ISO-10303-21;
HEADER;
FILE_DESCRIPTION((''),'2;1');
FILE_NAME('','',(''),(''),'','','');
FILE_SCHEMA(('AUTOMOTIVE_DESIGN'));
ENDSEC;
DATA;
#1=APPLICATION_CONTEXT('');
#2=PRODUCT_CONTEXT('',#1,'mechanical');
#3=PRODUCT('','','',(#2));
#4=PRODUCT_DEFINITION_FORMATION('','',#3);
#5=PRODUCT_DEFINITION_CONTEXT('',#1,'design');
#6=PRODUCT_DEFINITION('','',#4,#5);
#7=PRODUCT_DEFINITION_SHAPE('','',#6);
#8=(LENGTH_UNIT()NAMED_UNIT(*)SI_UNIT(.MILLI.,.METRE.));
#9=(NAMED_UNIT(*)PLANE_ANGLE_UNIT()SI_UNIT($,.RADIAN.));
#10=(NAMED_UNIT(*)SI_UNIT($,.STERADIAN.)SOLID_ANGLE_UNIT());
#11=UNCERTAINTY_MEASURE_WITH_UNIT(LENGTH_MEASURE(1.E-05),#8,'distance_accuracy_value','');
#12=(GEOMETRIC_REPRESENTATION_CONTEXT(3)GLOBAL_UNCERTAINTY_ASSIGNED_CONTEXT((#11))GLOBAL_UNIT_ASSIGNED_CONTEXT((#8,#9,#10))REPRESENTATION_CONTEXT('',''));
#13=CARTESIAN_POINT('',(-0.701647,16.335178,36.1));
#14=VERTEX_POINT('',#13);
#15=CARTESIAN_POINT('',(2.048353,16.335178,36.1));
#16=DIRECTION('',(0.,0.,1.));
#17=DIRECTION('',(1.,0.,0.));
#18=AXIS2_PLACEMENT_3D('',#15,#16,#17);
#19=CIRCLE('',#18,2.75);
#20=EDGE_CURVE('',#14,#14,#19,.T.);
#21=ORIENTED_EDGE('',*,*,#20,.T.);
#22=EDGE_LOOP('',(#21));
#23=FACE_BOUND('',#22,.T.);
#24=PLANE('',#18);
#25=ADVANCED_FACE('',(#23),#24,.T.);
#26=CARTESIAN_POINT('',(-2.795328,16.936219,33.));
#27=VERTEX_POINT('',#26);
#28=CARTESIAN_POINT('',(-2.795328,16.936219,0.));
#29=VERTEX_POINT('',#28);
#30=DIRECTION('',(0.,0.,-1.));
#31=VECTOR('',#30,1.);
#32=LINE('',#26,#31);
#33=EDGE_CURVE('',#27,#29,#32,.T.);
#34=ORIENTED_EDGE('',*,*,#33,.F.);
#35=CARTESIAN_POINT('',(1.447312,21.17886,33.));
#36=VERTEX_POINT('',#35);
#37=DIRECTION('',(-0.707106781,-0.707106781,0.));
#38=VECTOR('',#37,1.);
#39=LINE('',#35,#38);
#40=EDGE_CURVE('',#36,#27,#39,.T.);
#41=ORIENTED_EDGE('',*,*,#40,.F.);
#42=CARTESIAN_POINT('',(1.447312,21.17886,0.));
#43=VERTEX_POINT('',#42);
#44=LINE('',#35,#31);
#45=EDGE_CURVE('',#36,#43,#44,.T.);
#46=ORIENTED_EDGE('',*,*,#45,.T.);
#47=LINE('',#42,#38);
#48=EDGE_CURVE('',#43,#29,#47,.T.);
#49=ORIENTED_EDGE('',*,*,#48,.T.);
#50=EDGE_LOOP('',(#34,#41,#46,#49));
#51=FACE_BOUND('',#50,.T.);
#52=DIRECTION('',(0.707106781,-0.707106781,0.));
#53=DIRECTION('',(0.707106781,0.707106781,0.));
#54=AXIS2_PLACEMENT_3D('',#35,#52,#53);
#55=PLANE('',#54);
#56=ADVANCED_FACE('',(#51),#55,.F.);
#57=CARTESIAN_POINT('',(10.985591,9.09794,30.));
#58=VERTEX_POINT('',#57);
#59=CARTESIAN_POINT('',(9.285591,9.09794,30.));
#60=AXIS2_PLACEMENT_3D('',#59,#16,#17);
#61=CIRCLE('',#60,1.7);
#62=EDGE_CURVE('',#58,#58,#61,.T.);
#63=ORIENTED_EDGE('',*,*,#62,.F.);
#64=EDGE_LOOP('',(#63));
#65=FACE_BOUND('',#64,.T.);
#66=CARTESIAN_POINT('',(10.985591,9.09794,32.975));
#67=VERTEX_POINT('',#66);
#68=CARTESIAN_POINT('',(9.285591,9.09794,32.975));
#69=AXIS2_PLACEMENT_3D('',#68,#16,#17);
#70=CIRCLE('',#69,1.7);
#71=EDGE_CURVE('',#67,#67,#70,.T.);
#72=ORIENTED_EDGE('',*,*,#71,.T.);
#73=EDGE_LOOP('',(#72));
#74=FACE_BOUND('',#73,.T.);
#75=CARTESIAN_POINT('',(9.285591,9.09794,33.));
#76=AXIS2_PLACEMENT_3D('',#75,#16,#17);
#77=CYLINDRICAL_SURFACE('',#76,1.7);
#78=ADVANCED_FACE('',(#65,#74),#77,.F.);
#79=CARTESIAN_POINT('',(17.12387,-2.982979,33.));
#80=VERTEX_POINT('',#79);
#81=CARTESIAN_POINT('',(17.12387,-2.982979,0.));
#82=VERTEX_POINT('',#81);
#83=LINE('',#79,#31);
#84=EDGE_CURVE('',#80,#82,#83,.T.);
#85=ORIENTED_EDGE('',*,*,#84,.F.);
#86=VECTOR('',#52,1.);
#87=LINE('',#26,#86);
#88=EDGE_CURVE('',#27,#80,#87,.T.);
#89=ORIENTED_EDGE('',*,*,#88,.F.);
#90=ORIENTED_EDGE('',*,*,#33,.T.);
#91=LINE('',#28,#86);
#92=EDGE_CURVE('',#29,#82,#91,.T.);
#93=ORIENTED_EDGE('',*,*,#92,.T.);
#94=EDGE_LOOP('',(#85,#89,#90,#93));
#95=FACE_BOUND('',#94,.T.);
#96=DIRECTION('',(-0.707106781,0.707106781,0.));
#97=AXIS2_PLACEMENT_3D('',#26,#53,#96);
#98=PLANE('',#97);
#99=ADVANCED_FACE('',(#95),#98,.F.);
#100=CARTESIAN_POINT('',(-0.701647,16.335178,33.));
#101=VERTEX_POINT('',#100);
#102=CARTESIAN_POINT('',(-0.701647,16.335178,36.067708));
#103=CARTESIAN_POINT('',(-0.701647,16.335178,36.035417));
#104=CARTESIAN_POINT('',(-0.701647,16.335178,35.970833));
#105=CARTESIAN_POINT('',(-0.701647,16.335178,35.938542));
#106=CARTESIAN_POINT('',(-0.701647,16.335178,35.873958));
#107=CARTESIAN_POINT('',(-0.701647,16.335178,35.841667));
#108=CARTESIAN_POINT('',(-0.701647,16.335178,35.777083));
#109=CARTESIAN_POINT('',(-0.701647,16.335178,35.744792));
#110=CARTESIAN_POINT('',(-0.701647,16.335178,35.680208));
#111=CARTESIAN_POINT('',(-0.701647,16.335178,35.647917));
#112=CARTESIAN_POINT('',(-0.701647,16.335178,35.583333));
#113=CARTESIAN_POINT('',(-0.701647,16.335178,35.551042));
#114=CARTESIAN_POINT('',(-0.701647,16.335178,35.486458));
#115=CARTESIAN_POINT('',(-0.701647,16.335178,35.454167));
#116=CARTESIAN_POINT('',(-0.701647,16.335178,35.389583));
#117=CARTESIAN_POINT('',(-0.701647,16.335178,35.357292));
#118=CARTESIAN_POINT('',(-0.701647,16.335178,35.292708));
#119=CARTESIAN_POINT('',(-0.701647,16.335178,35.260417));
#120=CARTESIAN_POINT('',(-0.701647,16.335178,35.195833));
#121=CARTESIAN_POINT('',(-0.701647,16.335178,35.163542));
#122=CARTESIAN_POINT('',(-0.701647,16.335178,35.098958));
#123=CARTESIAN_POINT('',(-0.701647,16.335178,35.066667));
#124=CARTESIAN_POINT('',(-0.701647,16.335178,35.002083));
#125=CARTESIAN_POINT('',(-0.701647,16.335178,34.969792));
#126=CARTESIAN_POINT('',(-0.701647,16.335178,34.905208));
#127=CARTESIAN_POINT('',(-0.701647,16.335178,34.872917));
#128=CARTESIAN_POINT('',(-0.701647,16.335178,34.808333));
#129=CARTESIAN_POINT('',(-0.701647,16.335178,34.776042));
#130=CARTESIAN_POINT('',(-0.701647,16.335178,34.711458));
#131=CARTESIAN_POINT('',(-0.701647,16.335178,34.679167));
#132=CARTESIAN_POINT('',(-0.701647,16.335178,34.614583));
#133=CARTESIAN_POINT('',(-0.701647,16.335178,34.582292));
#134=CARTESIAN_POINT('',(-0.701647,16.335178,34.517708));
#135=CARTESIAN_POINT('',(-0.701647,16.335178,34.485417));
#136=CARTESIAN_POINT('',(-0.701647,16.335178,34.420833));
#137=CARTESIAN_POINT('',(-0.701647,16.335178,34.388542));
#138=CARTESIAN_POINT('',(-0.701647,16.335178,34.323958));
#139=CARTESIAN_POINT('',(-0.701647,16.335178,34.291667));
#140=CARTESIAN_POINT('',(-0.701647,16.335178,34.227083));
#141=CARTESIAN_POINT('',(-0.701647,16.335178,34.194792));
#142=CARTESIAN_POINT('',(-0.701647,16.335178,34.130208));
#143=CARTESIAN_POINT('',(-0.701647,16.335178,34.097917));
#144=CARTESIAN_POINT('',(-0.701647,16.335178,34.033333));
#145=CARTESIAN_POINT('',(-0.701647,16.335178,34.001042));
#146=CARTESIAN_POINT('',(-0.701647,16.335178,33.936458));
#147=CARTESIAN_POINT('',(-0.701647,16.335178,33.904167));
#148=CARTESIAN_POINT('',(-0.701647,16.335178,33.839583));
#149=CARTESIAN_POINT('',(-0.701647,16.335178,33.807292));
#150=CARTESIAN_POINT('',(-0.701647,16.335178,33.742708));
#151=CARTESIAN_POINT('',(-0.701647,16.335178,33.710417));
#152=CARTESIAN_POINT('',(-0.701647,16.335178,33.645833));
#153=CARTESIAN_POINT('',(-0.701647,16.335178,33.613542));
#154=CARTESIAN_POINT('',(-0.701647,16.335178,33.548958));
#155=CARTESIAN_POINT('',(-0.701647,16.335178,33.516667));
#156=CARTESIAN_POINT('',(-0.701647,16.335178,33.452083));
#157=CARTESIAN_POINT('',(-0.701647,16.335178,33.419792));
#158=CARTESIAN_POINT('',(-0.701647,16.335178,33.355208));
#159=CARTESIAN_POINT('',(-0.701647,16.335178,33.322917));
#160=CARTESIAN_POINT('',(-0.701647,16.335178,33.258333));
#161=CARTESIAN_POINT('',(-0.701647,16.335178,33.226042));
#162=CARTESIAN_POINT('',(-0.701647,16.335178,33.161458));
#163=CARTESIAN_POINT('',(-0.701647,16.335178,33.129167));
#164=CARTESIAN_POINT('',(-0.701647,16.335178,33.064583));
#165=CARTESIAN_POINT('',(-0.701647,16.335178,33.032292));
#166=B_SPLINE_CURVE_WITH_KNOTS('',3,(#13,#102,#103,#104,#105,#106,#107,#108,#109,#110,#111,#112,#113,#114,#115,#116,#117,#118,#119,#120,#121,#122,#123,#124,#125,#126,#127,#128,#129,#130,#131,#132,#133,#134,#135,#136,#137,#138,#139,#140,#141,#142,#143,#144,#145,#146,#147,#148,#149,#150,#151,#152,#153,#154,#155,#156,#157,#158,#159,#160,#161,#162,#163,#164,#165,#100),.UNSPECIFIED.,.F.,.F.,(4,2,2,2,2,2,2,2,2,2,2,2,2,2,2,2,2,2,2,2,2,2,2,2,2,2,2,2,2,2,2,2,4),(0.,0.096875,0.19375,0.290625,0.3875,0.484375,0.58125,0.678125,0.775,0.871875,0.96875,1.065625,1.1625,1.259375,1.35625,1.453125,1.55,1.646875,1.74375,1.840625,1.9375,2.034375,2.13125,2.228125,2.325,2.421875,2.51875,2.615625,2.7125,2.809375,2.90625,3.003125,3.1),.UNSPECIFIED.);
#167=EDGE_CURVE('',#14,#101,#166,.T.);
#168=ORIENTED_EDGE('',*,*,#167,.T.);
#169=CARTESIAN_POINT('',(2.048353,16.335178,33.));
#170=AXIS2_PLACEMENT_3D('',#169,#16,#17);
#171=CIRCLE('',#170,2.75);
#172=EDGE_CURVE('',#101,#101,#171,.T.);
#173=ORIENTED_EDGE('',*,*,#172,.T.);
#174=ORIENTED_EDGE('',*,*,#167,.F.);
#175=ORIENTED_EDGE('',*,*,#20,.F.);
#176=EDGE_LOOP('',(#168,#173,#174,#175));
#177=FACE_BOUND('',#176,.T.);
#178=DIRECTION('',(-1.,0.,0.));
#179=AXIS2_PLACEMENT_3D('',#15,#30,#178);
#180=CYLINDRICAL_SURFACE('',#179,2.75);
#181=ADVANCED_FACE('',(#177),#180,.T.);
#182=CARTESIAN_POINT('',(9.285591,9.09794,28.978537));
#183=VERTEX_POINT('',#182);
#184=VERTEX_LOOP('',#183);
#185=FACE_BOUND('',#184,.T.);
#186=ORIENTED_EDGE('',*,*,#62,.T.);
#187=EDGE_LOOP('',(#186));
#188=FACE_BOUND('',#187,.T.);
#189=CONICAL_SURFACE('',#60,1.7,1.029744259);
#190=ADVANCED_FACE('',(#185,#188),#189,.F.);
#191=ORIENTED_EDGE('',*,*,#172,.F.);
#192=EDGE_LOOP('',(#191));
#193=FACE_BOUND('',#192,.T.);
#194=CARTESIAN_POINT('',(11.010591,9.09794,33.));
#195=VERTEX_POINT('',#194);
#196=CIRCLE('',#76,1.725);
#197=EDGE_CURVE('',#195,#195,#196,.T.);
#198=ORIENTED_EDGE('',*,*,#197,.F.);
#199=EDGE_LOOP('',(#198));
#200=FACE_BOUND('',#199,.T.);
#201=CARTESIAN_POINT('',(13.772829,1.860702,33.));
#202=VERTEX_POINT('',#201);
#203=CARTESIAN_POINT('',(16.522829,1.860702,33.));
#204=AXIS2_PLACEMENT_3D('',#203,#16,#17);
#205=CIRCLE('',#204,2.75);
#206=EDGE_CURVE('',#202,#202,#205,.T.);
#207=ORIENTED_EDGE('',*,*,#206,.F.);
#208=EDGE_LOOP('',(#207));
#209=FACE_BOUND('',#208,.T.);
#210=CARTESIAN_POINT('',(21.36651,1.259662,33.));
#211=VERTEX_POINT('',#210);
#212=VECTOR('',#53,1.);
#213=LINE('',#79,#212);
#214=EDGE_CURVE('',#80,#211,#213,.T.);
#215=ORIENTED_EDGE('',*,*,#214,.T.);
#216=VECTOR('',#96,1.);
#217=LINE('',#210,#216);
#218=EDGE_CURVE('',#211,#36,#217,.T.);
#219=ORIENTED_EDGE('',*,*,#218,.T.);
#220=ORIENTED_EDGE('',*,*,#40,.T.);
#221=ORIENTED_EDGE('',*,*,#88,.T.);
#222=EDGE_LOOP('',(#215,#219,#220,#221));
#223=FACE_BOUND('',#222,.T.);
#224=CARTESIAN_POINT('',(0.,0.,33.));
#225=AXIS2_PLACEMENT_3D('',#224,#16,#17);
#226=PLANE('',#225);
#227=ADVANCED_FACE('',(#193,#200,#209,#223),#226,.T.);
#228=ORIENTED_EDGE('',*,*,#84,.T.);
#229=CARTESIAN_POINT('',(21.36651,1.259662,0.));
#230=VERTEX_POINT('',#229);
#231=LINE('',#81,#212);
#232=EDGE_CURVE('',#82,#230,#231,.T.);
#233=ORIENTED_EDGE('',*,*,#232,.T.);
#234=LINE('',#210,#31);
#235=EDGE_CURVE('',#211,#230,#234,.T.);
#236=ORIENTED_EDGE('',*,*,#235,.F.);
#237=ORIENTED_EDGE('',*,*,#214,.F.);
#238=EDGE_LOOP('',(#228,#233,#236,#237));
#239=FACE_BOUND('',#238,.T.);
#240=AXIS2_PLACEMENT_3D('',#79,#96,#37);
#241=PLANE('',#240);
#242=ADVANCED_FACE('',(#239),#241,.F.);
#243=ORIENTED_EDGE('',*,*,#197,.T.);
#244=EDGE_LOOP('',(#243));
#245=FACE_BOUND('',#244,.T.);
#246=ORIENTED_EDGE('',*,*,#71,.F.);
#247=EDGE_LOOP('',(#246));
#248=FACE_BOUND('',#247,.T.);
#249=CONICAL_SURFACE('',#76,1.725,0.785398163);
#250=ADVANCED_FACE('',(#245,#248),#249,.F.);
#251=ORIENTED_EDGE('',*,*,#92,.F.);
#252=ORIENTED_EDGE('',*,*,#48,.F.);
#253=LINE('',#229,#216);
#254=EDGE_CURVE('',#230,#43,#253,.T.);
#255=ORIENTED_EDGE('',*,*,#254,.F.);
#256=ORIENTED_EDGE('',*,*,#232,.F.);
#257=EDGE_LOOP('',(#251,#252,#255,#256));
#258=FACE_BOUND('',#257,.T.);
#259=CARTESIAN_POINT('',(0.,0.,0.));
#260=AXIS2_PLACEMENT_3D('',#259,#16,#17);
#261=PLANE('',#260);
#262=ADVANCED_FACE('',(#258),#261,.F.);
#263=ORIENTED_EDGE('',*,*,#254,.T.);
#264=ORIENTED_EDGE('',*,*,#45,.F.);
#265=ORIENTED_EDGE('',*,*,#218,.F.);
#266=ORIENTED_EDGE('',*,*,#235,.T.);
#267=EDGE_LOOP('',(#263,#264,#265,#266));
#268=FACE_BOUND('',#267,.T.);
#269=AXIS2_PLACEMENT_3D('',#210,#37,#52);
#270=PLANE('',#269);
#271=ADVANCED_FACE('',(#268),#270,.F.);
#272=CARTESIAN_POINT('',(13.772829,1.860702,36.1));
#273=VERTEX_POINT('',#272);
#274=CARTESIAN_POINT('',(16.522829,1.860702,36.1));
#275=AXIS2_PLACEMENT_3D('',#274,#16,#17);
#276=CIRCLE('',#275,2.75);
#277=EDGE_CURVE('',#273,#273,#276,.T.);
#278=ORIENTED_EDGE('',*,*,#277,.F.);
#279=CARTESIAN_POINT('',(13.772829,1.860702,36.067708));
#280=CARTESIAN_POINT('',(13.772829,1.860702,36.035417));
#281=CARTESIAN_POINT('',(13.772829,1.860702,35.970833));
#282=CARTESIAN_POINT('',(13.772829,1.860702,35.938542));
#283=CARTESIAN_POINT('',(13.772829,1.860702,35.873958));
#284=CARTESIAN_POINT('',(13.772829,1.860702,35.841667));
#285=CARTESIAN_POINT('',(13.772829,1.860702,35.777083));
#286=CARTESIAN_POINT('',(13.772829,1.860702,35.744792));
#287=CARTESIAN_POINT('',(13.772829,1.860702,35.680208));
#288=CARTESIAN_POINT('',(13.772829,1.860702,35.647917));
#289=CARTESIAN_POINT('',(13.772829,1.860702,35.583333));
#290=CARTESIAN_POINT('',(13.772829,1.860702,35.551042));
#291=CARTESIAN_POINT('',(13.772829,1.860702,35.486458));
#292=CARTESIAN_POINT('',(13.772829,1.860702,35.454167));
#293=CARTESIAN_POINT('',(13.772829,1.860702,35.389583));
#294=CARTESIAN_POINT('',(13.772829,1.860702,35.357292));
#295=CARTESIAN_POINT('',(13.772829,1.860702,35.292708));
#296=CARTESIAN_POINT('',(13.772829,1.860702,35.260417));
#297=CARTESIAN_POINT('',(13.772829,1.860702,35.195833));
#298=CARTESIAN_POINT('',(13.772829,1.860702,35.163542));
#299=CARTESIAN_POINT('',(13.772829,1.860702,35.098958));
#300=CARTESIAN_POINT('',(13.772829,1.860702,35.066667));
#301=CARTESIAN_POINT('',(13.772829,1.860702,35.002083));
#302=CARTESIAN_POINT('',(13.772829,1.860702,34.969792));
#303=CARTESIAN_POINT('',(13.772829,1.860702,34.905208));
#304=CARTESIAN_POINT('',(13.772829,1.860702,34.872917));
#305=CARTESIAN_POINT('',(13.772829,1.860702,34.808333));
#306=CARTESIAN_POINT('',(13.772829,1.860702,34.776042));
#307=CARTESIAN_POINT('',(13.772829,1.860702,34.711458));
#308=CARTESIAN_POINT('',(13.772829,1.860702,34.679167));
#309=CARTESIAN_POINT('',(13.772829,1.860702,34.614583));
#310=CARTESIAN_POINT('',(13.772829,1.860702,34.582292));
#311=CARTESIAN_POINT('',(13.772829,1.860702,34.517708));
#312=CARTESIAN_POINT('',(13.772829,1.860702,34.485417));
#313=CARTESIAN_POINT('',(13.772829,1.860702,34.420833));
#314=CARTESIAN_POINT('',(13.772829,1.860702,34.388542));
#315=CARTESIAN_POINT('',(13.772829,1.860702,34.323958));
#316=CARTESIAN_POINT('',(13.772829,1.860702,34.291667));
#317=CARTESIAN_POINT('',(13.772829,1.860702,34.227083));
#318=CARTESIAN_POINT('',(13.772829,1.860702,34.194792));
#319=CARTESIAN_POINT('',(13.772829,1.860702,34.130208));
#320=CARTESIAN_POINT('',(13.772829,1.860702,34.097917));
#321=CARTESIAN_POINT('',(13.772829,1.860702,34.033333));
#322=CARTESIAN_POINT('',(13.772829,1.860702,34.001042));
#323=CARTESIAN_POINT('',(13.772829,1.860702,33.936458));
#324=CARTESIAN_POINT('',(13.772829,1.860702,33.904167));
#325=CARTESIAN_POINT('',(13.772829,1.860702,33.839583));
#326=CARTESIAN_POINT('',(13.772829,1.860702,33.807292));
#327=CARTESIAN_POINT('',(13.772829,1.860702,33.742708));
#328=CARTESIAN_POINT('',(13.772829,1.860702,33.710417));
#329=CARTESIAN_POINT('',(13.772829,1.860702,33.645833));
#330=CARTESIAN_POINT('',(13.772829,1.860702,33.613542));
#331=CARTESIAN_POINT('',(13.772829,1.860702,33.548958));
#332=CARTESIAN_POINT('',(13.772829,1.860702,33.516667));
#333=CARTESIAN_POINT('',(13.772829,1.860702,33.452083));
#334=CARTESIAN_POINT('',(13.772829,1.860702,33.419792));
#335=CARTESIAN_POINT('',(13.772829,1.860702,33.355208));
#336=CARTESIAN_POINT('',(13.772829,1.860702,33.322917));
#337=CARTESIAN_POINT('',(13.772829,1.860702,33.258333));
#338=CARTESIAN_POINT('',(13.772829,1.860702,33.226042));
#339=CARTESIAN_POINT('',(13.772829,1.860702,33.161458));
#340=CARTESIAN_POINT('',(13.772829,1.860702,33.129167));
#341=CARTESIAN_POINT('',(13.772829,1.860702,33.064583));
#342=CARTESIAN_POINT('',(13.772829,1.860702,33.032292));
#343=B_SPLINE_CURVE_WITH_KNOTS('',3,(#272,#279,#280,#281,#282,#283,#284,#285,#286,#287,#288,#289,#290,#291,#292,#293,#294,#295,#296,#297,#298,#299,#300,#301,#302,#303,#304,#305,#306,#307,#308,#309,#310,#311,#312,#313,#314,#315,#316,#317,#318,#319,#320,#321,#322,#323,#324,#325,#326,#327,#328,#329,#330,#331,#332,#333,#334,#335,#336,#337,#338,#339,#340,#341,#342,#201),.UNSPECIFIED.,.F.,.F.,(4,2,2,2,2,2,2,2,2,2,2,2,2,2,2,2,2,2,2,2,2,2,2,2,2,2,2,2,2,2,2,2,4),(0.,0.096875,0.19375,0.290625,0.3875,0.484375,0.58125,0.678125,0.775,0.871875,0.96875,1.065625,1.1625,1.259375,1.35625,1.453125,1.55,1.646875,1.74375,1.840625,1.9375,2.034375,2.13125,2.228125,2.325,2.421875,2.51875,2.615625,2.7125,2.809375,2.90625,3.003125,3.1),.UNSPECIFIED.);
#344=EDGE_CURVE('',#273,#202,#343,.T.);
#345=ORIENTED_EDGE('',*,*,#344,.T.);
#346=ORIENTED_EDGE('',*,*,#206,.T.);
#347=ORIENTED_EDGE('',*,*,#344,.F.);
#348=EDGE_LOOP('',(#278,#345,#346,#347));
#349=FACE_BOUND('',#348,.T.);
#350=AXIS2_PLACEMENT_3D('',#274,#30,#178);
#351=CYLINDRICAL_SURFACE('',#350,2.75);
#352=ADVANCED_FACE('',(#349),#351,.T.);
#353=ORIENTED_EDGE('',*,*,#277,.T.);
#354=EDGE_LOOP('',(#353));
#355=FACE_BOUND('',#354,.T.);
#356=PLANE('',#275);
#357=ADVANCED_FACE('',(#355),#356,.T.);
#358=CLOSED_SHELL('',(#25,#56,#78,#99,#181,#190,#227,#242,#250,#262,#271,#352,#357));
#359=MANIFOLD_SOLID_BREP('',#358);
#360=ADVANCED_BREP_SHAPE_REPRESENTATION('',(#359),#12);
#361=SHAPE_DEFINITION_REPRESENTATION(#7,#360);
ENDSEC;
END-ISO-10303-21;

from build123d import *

# Parameters (mm, degrees)
BOSS_EXTRUDE1_DEPTH            = 33
SKETCH2_R                      = 2.75
BOSS_EXTRUDE2_DEPTH            = 3.1
M3_CLEARANCE_HOLE1_D           = 3.4
M3_CLEARANCE_HOLE1_DEPTH       = 3
M3_CLEARANCE_HOLE1_CSINK_D     = 3.45
M3_CLEARANCE_HOLE1_CSINK_ANGLE = 90
M3_CLEARANCE_HOLE1_TIP         = 1.021463052


with BuildPart() as part:
    # Sketch1 → Boss-Extrude1 (new body)
    with BuildSketch(Plane.XY):
        Polygon((17.123869681, -2.982979073), (21.366510368, 1.259661614), (1.447312342, 21.17885964), (-2.795328345, 16.936218953), align=None)
    extrude(amount=BOSS_EXTRUDE1_DEPTH)

    # Sketch2 → Boss-Extrude2 (add)
    with BuildSketch(Plane.XY.offset(33)):
        with Locations(Location((2.048353106, 16.335178189, 0), (0, 0, 180))):
            Circle(SKETCH2_R)
        with Locations(Location((16.522828917, 1.860702378, 0), (0, 0, 180))):
            Circle(SKETCH2_R)
    extrude(amount=BOSS_EXTRUDE2_DEPTH)

    # M3 Clearance Hole1
    with Locations(Plane.XY.offset(33)):
        with Locations((9.285591012, 9.097940284)):
            CounterSinkHole(M3_CLEARANCE_HOLE1_D / 2, M3_CLEARANCE_HOLE1_CSINK_D / 2, depth=M3_CLEARANCE_HOLE1_DEPTH, counter_sink_angle=M3_CLEARANCE_HOLE1_CSINK_ANGLE)
            with Locations((0, 0, -(M3_CLEARANCE_HOLE1_DEPTH + M3_CLEARANCE_HOLE1_TIP / 2))):  # 118° drill point
                Cone(0, M3_CLEARANCE_HOLE1_D / 2, M3_CLEARANCE_HOLE1_TIP, mode=Mode.SUBTRACT)


solid = part.part
